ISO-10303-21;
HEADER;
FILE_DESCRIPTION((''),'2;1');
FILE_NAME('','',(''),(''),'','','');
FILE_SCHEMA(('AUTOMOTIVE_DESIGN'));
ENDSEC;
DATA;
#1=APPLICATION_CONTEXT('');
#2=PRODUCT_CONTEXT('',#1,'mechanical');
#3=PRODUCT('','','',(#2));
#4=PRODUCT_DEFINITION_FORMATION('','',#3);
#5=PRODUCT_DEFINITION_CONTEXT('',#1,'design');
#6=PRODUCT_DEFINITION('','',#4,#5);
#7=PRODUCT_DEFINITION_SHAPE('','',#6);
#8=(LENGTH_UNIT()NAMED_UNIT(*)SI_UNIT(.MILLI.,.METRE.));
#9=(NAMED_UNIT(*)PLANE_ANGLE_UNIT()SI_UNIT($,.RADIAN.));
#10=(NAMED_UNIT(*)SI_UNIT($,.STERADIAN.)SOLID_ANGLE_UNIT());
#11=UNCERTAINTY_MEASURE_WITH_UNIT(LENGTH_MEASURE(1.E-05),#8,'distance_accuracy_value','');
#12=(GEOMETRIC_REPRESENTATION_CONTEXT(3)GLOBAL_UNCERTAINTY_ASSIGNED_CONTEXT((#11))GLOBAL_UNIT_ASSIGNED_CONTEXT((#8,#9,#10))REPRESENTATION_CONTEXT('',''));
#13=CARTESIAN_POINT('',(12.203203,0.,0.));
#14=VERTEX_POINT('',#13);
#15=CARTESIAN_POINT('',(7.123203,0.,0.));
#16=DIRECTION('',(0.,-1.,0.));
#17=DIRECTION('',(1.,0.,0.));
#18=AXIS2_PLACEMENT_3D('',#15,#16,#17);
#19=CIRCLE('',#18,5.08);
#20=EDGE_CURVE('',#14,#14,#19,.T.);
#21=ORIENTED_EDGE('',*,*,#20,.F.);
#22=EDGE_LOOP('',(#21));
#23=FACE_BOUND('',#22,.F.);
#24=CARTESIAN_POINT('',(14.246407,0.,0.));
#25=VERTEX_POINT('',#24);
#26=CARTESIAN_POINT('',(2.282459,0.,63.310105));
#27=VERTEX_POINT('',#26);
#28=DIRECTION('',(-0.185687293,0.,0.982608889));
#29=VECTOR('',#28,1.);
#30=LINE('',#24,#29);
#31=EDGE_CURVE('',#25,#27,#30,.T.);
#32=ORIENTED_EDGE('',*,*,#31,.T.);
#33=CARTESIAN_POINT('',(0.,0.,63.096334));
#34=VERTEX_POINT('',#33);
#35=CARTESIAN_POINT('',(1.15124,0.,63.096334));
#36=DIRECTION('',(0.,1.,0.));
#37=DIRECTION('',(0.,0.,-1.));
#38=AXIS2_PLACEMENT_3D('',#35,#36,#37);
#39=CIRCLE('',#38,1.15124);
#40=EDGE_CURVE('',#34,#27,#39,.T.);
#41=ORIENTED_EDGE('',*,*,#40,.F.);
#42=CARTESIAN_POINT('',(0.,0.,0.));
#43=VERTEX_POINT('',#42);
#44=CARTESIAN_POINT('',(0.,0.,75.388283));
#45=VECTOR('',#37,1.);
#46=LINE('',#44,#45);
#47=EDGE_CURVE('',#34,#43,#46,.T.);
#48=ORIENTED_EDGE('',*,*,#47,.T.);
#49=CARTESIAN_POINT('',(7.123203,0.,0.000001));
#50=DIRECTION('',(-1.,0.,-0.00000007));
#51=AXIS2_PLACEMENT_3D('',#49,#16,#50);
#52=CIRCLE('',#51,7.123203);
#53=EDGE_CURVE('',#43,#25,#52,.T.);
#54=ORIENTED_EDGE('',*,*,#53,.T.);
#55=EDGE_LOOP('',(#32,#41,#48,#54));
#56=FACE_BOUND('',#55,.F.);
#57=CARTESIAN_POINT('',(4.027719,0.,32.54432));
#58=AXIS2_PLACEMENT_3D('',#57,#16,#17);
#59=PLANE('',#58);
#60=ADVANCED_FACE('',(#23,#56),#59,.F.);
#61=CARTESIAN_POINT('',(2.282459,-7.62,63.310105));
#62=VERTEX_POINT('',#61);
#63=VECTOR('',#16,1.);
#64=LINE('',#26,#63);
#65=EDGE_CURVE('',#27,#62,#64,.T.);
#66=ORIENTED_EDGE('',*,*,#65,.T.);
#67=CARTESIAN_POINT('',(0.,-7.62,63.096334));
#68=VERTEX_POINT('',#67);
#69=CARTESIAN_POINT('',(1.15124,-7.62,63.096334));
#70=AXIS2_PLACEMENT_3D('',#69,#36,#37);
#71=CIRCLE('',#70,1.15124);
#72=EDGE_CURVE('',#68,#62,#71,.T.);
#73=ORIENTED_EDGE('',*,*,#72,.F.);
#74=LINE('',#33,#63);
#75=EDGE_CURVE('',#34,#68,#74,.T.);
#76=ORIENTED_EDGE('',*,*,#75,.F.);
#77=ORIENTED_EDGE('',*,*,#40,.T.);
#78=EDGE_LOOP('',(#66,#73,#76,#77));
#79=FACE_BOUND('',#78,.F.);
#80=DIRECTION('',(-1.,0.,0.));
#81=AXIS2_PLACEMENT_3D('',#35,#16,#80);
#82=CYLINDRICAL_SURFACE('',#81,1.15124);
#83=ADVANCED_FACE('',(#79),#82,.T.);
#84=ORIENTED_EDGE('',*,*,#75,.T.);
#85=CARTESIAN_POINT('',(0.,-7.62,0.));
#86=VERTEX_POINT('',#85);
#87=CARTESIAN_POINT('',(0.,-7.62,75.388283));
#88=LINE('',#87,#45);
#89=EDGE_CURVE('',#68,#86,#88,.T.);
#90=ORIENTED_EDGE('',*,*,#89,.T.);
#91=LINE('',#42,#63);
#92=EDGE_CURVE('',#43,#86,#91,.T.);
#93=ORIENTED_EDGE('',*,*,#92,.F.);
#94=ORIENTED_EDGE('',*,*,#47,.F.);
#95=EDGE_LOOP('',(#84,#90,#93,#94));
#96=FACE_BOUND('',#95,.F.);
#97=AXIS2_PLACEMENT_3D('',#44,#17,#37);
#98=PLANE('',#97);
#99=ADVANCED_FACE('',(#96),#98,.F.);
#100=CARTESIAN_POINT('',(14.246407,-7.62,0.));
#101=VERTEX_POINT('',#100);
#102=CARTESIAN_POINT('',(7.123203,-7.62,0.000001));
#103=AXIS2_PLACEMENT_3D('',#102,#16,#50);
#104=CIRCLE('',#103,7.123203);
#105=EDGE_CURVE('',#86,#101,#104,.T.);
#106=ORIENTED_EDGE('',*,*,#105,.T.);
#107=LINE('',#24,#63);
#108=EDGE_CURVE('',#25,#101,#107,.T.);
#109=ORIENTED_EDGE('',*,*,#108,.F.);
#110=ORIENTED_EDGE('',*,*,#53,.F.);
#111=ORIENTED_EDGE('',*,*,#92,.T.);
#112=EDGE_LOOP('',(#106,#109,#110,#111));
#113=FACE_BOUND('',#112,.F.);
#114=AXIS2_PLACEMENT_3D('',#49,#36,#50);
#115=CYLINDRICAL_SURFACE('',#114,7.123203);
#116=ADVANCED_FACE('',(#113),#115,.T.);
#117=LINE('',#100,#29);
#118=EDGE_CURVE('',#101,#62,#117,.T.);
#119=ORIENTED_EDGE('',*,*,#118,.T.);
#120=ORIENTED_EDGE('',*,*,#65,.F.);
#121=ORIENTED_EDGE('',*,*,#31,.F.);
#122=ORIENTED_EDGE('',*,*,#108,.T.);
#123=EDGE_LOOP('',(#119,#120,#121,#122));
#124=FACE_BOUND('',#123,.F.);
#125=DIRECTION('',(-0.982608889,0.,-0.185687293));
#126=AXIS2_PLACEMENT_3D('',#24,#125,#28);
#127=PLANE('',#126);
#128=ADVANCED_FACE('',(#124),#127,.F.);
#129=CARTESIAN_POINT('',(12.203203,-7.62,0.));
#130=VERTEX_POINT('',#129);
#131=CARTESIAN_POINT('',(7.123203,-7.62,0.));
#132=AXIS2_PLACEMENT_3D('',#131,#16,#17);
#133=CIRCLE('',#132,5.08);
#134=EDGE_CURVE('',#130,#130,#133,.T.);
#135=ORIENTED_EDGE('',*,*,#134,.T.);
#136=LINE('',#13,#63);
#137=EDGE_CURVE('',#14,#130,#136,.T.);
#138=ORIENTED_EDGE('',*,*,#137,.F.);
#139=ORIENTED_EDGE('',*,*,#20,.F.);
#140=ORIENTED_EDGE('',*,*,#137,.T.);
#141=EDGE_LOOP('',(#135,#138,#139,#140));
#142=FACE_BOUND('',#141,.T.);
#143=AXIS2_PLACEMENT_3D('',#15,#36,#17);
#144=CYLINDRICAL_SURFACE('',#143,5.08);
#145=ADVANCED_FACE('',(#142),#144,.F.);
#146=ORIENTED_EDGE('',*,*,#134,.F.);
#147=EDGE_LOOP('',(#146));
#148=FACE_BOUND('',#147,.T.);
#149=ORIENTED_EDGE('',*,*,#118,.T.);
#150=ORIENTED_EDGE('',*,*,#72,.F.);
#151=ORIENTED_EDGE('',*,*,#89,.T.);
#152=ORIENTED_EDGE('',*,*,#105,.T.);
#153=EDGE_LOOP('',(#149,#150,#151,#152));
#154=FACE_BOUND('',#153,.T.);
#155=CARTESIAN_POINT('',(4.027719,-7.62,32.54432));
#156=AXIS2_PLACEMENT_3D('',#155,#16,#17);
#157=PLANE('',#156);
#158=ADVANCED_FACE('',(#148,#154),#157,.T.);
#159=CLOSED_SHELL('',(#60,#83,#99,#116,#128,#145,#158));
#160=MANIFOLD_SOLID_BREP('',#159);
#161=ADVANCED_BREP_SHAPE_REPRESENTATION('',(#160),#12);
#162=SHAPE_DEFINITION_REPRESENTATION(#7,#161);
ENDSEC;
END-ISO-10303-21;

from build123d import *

# Parameters (mm, degrees)
F0_R     = 5.08
F1_DEPTH = 7.62
F2_R     = 1.15124


with BuildPart() as f1:
    # F0 (on Front) → F1 (new body)
    with BuildSketch(Plane.XZ):
        with BuildLine():
            Line((0, 75.388283), (0, 0))
            ThreePointArc((0, 0), (7.123203, -7.123203), (14.246407, 0))
            Line((14.246407, 0), (0, 75.388283))
        make_face()
        with Locations((7.123203, 0)):
            Circle(F0_R, mode=Mode.SUBTRACT)
    extrude(amount=F1_DEPTH)

    # F2
    f2_edges = [f1.edges().sort_by_distance(p)[0] for p in [
        (0, -3.81, 75.388283),
    ]]
    fillet(f2_edges, radius=F2_R)


solid = f1.part
